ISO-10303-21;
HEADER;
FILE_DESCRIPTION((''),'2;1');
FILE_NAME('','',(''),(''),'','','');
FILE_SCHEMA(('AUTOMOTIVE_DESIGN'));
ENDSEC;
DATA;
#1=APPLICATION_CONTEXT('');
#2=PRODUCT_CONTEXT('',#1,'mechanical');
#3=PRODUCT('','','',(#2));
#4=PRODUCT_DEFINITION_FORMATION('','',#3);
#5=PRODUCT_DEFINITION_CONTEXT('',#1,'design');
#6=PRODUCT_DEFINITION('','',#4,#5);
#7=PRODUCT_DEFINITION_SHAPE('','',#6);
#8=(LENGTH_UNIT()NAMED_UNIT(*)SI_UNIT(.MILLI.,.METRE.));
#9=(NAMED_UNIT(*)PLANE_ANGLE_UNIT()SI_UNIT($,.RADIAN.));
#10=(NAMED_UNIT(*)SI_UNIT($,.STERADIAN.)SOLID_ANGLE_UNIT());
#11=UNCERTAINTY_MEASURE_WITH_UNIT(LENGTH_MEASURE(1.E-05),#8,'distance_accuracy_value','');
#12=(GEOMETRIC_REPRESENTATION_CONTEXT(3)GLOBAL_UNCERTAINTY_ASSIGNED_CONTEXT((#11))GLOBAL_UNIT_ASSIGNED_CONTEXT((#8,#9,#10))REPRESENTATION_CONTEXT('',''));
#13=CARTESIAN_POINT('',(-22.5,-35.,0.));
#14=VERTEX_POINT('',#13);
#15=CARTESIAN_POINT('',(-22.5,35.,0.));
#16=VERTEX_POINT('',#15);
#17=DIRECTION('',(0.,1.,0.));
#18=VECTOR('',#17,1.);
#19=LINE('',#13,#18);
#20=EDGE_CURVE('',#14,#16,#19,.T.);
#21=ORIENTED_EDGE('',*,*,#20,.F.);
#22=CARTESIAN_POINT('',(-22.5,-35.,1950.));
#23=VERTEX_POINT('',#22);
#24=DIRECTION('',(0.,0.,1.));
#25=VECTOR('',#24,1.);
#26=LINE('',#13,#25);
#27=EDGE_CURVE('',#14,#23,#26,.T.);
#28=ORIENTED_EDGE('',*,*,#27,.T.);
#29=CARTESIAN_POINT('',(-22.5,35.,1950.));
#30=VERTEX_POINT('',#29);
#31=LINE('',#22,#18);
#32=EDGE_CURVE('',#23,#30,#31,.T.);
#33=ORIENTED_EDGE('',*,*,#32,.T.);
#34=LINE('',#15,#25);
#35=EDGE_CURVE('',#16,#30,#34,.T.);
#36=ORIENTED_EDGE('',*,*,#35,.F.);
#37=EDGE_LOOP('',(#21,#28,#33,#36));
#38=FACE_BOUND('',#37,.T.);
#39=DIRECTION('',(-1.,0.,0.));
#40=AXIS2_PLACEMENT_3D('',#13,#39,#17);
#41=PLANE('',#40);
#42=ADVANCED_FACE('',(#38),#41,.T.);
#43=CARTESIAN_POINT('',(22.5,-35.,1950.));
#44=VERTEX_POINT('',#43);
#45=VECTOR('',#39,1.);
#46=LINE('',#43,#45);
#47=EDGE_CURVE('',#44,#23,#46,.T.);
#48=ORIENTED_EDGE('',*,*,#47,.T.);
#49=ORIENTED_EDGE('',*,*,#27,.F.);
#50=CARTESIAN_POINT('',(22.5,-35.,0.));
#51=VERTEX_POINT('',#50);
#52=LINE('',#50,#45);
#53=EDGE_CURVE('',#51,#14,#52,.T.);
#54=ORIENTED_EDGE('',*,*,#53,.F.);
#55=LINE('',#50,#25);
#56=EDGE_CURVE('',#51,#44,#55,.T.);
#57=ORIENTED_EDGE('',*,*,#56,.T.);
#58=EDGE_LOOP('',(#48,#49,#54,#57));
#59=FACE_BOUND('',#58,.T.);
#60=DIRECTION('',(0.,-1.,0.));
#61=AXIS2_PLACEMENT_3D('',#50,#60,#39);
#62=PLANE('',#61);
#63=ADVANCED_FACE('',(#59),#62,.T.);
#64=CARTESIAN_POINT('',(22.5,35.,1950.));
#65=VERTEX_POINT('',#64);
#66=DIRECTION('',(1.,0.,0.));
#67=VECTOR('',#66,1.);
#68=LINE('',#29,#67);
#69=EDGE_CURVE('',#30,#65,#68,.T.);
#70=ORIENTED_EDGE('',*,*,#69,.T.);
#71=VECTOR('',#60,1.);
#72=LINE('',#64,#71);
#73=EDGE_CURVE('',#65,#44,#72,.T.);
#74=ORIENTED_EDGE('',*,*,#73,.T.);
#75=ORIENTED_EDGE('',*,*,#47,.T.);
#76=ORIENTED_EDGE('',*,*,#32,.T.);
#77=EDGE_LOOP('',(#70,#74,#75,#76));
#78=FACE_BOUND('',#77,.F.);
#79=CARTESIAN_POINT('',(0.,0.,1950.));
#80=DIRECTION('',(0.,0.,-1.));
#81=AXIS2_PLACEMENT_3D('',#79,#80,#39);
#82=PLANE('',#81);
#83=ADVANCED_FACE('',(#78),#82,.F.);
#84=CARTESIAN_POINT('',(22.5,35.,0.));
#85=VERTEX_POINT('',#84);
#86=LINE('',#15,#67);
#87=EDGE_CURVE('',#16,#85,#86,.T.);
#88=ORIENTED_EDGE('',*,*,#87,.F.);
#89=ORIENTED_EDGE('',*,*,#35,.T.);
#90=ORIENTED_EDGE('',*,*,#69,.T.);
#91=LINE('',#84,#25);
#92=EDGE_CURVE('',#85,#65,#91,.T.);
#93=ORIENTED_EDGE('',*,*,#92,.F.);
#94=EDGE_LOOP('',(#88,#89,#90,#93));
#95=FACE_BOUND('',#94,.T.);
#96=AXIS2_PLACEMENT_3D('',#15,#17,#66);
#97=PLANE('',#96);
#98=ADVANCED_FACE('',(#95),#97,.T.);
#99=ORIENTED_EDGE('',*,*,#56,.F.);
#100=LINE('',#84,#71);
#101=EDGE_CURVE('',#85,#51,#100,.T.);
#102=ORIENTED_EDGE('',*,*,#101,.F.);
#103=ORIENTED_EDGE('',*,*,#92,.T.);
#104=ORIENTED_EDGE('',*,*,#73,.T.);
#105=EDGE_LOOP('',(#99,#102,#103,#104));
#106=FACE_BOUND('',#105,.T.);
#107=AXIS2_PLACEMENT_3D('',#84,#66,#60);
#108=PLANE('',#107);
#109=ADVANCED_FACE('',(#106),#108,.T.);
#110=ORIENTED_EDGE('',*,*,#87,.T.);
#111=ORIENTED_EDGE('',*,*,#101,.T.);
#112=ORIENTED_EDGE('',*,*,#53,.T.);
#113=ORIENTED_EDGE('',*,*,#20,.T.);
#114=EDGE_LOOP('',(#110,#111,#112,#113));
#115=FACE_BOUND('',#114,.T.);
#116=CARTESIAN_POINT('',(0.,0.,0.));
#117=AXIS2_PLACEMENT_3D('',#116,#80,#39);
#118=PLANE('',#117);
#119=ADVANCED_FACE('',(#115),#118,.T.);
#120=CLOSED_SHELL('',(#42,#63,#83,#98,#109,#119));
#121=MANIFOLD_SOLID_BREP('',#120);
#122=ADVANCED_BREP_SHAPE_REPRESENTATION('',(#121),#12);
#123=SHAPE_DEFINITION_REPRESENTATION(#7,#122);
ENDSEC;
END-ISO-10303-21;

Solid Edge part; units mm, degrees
sketch "Sketch1" plane through (0, 0, 0) normal (0, 0, -1) x (-1, 0, 0)
  line L0 (-22.5, -35) -> (22.5, -35)
  line L1 (22.5, -35) -> (22.5, 35)
  line L2 (22.5, 35) -> (-22.5, 35)
  line L3 (-22.5, 35) -> (-22.5, -35)
extrude "Protrusion1" add sketch "Sketch1" against normal blind 1950
properties material "Wood, Pine"
